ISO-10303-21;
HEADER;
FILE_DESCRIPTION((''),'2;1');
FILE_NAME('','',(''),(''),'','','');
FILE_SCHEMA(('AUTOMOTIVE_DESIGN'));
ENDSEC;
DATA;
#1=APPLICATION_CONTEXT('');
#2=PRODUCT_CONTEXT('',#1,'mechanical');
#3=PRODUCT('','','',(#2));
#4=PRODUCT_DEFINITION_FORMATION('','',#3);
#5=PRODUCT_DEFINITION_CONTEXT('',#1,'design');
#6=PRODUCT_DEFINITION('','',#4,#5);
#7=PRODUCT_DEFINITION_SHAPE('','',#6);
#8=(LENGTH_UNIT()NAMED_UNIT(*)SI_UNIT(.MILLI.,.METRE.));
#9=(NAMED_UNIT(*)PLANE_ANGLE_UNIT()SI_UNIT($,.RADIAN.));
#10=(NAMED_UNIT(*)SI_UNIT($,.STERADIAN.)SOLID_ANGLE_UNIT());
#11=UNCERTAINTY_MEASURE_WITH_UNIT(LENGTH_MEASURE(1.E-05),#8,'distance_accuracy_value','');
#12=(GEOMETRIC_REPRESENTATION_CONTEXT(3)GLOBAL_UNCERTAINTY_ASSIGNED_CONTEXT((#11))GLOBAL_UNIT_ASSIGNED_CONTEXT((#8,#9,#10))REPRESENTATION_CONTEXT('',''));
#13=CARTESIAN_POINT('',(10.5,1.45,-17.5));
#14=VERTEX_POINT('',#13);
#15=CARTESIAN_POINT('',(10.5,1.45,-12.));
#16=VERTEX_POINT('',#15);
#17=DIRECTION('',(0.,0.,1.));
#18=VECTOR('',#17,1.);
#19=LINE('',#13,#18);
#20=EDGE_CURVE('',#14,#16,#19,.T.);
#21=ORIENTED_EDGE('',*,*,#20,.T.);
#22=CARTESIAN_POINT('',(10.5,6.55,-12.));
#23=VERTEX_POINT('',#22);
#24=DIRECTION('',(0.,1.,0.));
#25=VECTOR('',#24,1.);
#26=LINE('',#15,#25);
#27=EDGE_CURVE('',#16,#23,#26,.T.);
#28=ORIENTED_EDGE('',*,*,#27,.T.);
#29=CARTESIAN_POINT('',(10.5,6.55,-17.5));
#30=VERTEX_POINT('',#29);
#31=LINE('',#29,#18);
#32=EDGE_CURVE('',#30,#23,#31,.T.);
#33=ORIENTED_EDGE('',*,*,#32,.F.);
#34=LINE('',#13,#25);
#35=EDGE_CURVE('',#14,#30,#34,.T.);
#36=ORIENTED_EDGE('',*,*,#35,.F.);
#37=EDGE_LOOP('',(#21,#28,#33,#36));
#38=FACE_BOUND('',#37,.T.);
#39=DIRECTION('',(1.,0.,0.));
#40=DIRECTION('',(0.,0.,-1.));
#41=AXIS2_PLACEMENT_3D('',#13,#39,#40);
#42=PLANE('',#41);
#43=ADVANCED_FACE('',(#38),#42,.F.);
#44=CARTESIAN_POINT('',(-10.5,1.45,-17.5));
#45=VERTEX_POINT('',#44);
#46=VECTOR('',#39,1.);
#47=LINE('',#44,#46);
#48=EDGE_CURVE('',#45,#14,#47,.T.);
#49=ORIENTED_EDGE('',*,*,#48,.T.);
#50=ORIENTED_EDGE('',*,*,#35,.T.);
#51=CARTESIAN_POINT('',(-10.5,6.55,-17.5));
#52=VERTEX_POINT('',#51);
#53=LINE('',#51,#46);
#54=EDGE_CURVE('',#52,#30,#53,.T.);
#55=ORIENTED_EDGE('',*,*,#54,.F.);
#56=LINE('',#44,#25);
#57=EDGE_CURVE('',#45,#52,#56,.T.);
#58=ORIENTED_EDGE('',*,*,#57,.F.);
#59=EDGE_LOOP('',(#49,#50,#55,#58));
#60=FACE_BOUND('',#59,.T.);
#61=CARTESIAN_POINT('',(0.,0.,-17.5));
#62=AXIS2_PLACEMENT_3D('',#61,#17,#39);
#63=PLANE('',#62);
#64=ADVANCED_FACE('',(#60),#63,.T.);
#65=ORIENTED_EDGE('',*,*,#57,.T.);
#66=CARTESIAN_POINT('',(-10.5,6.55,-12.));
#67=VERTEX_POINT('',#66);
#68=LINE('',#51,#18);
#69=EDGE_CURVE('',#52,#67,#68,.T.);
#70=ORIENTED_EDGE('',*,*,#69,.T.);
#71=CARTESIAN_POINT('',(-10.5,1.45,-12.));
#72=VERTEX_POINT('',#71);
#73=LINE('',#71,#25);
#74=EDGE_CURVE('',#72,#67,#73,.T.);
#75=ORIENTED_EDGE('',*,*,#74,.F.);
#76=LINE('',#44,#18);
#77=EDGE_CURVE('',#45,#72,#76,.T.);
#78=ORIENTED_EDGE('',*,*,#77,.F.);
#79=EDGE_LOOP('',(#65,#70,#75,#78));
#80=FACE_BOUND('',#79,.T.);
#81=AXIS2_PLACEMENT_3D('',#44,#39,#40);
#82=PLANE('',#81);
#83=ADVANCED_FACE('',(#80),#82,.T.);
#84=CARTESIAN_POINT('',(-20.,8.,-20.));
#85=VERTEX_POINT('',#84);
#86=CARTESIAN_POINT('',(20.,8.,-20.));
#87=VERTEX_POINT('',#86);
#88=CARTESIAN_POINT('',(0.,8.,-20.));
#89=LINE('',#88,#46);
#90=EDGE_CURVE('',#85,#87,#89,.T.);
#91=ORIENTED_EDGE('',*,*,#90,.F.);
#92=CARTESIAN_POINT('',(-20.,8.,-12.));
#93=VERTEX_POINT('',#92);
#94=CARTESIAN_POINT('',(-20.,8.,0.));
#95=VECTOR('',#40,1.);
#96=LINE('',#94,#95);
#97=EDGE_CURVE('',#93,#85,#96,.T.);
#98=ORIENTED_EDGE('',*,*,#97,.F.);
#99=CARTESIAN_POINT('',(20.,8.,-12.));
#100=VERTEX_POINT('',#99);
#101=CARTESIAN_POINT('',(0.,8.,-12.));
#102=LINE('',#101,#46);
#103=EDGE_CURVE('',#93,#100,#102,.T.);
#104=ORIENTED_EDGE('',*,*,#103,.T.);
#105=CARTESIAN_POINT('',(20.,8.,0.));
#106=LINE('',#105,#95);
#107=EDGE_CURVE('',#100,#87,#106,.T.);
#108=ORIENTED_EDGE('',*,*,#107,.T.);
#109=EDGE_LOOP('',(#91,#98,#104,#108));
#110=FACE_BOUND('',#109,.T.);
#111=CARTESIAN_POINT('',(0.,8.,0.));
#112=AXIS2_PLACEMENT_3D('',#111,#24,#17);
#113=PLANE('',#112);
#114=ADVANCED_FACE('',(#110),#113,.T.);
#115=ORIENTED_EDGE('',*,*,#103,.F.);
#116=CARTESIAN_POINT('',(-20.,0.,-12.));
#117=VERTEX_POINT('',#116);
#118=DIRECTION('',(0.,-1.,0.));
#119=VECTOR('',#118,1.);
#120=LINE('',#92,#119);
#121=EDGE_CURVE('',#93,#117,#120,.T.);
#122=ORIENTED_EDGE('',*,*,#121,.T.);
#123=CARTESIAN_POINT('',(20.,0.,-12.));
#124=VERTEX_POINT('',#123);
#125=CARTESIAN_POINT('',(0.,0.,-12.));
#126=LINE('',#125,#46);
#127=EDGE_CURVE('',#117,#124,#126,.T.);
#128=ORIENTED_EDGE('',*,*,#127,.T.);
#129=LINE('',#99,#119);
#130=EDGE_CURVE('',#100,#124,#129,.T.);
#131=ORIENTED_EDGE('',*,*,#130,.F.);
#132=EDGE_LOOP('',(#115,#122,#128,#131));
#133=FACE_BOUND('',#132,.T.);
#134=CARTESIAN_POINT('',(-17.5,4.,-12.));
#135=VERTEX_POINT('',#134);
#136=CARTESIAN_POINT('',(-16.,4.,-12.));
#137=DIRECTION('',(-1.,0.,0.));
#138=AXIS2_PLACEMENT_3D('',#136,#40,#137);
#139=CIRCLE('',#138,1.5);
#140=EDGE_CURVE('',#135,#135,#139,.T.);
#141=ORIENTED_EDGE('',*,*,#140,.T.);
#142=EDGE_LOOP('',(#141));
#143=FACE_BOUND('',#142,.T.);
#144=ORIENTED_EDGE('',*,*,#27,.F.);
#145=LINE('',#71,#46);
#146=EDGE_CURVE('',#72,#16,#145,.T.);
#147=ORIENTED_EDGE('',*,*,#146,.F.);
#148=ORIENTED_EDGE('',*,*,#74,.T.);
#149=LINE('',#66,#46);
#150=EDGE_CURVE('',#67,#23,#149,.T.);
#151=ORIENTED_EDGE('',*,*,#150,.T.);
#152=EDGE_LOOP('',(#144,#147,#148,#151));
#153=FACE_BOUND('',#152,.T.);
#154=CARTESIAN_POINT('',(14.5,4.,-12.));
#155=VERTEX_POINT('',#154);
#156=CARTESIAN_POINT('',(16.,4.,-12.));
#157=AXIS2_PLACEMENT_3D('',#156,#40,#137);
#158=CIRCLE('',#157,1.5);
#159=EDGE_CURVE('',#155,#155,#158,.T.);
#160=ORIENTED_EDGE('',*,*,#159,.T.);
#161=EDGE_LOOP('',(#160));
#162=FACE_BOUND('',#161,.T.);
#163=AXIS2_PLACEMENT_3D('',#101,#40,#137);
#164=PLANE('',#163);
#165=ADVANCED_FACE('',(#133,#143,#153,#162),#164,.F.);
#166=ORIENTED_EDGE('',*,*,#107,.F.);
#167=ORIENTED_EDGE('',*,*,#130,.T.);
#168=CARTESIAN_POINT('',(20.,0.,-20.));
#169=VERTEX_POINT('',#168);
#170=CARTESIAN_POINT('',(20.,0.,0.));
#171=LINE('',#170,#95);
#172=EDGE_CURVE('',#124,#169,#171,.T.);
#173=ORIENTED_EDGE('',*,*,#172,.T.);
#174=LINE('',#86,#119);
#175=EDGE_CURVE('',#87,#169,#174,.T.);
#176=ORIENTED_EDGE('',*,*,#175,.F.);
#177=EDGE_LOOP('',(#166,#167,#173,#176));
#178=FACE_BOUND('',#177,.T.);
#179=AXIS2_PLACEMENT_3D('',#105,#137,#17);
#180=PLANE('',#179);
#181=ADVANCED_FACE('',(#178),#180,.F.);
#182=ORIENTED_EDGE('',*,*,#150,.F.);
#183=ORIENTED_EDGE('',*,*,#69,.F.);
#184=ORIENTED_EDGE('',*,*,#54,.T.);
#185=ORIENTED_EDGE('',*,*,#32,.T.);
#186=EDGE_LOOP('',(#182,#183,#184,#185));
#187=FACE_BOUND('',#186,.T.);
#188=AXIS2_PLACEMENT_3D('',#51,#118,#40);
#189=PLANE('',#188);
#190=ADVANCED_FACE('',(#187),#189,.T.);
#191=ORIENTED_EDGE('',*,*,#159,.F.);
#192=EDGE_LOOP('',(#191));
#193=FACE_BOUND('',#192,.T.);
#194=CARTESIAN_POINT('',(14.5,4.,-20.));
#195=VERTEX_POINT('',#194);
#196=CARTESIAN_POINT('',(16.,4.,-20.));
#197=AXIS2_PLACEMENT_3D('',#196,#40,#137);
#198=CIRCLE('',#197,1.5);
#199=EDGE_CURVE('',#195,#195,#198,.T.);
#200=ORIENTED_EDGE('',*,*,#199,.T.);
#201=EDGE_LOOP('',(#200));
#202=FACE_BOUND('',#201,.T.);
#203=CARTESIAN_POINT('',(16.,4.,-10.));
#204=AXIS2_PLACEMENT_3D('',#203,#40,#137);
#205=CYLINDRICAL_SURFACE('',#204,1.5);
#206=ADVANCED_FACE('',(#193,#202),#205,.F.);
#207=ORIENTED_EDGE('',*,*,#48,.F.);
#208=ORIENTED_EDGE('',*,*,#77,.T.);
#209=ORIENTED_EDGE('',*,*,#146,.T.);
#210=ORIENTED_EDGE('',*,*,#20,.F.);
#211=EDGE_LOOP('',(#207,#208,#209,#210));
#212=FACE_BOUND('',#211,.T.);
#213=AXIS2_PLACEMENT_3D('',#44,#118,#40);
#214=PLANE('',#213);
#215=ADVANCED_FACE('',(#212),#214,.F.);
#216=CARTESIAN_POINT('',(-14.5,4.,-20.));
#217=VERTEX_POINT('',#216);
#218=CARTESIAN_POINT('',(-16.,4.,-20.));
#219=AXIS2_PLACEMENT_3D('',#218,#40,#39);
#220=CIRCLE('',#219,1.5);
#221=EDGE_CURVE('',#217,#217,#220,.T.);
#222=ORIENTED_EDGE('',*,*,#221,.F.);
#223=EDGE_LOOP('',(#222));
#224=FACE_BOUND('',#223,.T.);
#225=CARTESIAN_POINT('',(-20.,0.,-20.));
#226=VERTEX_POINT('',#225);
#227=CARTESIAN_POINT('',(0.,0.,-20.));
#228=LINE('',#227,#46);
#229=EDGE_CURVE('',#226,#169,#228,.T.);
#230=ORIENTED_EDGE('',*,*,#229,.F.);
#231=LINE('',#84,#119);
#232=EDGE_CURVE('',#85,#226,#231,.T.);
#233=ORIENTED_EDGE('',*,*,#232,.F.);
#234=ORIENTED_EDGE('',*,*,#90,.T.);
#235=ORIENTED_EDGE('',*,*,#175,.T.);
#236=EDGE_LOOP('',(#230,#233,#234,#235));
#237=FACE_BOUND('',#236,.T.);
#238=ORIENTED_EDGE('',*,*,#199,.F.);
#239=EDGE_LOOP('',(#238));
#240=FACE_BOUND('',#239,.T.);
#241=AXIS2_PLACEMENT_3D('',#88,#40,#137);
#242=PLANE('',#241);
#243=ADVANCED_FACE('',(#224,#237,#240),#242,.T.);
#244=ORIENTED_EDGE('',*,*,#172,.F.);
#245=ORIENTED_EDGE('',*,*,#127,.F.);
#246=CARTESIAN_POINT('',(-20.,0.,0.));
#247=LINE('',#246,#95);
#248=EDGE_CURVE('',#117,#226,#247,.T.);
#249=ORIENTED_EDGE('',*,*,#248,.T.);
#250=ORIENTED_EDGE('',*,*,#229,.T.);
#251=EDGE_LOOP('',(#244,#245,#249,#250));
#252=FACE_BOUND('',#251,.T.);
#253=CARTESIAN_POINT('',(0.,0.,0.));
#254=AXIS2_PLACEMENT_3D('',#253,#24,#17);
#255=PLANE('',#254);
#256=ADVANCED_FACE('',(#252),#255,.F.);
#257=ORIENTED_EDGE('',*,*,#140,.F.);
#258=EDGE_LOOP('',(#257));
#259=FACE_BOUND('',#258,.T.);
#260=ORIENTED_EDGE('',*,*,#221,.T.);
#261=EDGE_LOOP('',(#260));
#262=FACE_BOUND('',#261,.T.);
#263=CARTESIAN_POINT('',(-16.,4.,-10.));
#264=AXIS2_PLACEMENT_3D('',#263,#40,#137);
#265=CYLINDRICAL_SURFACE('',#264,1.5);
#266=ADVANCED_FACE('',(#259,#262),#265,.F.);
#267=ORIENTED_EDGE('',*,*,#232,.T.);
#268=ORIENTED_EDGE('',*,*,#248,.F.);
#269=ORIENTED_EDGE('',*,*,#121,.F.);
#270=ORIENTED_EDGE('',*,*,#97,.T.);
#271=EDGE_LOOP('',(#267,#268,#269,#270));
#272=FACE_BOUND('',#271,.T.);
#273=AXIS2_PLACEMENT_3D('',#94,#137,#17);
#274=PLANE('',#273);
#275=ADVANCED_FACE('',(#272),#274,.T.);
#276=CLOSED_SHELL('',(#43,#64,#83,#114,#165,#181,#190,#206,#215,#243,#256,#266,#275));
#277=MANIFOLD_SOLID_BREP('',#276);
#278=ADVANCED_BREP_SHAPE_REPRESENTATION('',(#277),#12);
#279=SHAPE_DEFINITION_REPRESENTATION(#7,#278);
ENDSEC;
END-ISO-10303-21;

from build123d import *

# Parameters (mm, degrees)
SKETCH1_W           = 21
SKETCH1_H           = 5.5
BOSS_EXTRUDE1_DEPTH = 8
SKETCH2_W           = 21
SKETCH2_H           = 5.1
CUT_EXTRUDE1_DEPTH  = 5.5
SKETCH3_R           = 1.5
CUT_EXTRUDE2_DEPTH  = 10


with BuildPart() as part:
    # Sketch1 → Boss-Extrude1 (new body)
    with BuildSketch(Plane(origin=(0, 0, 0), x_dir=(1, 0, 0), z_dir=(0, 1, 0))):
        Polygon((-20, 20), (-20, 12), (-10.5, 12), (-10.5, 17.5), (10.5, 17.5), (10.5, 12), (20, 12), (20, 20), align=None)
        with Locations((0, 14.75)):
            Rectangle(SKETCH1_W, SKETCH1_H)
    extrude(amount=BOSS_EXTRUDE1_DEPTH)

    # Sketch2 → Cut-Extrude1 (cut)
    with BuildSketch(Plane.XY.offset(-12)):
        with Locations((0, 4)):
            Rectangle(SKETCH2_W, SKETCH2_H)
    extrude(amount=-CUT_EXTRUDE1_DEPTH, mode=Mode.SUBTRACT)

    # Sketch3 → Cut-Extrude2 (cut)
    with BuildSketch(Plane(origin=(0, 0, -20), x_dir=(-1, 0, 0), z_dir=(0, 0, -1))):
        with Locations((-16, 4)):
            Circle(SKETCH3_R)
        with Locations((16, 4)):
            Circle(SKETCH3_R)
    extrude(amount=-CUT_EXTRUDE2_DEPTH, mode=Mode.SUBTRACT)


solid = part.part
